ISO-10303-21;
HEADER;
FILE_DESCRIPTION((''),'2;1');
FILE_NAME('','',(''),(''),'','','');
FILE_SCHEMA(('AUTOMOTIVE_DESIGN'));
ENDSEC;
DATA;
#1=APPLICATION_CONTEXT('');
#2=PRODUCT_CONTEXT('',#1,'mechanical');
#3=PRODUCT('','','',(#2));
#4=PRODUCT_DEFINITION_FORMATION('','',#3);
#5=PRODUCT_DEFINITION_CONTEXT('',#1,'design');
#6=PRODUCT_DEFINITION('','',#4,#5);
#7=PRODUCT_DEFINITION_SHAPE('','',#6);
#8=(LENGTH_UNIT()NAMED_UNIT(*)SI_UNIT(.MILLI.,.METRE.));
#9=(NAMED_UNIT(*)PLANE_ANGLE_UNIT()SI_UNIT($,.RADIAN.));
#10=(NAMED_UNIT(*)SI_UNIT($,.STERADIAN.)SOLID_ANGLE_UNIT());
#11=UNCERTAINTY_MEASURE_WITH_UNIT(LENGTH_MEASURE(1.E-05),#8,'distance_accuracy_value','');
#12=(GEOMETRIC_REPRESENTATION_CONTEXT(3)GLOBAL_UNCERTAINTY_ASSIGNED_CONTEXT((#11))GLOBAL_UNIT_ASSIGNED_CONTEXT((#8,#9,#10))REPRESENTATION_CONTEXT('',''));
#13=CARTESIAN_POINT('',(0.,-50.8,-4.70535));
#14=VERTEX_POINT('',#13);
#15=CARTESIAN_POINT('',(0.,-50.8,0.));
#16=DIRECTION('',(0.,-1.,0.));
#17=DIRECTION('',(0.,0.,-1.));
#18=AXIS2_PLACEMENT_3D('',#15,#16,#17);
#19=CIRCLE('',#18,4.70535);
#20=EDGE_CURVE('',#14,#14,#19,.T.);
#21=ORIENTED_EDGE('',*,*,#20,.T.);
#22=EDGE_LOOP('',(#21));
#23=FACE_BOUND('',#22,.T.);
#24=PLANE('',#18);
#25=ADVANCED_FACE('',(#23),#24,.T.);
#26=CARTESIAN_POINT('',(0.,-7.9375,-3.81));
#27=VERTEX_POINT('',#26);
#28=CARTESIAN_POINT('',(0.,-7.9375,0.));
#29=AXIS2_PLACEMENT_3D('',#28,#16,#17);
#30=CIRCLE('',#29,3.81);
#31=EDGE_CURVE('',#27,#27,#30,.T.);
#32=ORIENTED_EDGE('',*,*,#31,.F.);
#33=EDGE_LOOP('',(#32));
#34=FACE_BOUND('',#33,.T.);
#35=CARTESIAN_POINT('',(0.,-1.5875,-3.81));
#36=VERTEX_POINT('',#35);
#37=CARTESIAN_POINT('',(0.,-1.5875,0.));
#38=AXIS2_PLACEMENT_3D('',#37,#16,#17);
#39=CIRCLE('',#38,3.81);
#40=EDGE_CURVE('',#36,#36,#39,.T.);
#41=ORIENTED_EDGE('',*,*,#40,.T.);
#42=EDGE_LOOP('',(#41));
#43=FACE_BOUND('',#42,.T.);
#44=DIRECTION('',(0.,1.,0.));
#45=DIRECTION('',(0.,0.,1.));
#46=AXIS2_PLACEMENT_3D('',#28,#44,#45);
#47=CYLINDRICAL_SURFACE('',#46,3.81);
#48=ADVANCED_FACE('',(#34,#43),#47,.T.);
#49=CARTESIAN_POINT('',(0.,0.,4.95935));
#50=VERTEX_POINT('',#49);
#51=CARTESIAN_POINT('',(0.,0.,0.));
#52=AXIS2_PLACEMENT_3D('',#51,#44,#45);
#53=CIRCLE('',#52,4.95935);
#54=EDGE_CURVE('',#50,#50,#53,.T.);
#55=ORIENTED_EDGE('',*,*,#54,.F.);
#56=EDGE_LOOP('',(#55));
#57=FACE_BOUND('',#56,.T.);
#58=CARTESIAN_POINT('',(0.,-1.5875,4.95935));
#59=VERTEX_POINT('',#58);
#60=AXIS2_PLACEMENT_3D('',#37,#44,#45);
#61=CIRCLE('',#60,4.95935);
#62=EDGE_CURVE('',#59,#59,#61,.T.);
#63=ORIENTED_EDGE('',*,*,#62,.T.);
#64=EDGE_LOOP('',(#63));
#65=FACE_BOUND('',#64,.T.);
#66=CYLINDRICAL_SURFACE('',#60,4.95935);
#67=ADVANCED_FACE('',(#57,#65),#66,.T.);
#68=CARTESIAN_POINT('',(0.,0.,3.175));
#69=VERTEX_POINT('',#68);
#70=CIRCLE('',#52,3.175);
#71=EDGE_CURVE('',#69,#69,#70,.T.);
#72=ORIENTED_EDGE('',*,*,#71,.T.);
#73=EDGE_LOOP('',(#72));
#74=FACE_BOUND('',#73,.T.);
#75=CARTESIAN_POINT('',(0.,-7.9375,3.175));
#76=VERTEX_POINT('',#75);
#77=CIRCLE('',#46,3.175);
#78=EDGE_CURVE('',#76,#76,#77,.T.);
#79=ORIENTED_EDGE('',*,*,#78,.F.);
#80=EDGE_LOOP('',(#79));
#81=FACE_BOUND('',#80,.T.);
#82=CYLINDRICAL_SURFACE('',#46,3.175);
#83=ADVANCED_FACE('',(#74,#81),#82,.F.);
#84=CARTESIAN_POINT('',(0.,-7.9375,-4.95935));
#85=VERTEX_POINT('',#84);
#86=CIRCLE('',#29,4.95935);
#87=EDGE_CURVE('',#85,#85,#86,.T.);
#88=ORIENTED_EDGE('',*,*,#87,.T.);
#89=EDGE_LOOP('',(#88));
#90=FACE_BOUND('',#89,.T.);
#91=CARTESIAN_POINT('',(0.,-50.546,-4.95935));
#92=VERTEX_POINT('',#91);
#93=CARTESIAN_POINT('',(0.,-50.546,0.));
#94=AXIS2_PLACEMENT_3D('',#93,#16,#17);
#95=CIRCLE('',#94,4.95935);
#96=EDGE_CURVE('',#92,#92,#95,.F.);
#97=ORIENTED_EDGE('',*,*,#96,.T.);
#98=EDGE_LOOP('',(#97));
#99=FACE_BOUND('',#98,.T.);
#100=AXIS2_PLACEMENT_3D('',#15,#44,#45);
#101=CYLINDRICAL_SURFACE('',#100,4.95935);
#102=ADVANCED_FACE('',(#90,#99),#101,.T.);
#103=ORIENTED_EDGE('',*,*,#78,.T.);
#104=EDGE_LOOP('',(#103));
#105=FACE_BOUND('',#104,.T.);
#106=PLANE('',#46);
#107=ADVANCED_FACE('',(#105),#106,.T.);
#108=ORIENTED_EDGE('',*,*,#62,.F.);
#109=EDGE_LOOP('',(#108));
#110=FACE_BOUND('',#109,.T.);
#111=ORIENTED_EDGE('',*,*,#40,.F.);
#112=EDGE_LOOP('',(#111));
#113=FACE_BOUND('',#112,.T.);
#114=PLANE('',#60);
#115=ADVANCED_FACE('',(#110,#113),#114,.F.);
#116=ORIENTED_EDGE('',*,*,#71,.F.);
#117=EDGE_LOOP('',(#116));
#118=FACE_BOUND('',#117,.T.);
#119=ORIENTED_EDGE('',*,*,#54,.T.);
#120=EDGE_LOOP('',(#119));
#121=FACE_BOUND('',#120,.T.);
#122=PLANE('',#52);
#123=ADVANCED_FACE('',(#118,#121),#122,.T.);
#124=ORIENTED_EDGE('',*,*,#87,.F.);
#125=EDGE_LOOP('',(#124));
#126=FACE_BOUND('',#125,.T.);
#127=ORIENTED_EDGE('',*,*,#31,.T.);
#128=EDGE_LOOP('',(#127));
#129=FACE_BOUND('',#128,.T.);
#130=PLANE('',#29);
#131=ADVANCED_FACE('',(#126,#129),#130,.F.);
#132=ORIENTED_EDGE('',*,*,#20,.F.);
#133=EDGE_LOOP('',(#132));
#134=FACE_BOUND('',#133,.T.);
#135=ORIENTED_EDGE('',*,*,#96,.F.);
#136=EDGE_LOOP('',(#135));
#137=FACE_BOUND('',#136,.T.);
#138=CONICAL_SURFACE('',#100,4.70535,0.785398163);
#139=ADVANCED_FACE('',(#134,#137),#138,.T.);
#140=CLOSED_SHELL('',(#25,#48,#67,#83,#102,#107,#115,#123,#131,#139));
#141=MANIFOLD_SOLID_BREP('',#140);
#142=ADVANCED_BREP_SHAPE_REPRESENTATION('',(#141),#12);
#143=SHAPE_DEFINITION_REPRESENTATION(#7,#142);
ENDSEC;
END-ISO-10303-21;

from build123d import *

# Parameters (mm, degrees)
SKETCH1_R           = 4.95935
BOSS_EXTRUDE1_DEPTH = 1.5875
SKETCH2_R           = 3.81
BOSS_EXTRUDE2_DEPTH = 6.35
SKETCH3_R           = 4.95935
BOSS_EXTRUDE4_DEPTH = 42.8625
CHAMFER1_SIZE       = 0.254
SKETCH4_R           = 3.175
CUT_EXTRUDE1_DEPTH  = 7.9375


with BuildPart() as part:
    # Sketch1 → Boss-Extrude1 (new body)
    with BuildSketch(Plane(origin=(0, 0, 0), x_dir=(1, 0, 0), z_dir=(0, 1, 0))):
        Circle(SKETCH1_R)
    extrude(amount=-BOSS_EXTRUDE1_DEPTH)

    # Sketch2 → Boss-Extrude2 (add)
    with BuildSketch(Plane.XZ.offset(1.5875)):
        Circle(SKETCH2_R)
    extrude(amount=BOSS_EXTRUDE2_DEPTH)

    # Sketch3 → Boss-Extrude4 (add)
    with BuildSketch(Plane.XZ.offset(7.9375)):
        Circle(SKETCH3_R)
    extrude(amount=BOSS_EXTRUDE4_DEPTH)

    # Chamfer1
    chamfer1_edges = [part.edges().sort_by_distance(p)[0] for p in [
        (-4.95935, -50.8, 0),
    ]]
    chamfer(chamfer1_edges, length=CHAMFER1_SIZE)

    # Sketch4 → Cut-Extrude1 (cut)
    with BuildSketch(Plane(origin=(0, 0, 0), x_dir=(1, 0, 0), z_dir=(0, 1, 0))):
        Circle(SKETCH4_R)
    extrude(amount=-CUT_EXTRUDE1_DEPTH, mode=Mode.SUBTRACT)


solid = part.part
